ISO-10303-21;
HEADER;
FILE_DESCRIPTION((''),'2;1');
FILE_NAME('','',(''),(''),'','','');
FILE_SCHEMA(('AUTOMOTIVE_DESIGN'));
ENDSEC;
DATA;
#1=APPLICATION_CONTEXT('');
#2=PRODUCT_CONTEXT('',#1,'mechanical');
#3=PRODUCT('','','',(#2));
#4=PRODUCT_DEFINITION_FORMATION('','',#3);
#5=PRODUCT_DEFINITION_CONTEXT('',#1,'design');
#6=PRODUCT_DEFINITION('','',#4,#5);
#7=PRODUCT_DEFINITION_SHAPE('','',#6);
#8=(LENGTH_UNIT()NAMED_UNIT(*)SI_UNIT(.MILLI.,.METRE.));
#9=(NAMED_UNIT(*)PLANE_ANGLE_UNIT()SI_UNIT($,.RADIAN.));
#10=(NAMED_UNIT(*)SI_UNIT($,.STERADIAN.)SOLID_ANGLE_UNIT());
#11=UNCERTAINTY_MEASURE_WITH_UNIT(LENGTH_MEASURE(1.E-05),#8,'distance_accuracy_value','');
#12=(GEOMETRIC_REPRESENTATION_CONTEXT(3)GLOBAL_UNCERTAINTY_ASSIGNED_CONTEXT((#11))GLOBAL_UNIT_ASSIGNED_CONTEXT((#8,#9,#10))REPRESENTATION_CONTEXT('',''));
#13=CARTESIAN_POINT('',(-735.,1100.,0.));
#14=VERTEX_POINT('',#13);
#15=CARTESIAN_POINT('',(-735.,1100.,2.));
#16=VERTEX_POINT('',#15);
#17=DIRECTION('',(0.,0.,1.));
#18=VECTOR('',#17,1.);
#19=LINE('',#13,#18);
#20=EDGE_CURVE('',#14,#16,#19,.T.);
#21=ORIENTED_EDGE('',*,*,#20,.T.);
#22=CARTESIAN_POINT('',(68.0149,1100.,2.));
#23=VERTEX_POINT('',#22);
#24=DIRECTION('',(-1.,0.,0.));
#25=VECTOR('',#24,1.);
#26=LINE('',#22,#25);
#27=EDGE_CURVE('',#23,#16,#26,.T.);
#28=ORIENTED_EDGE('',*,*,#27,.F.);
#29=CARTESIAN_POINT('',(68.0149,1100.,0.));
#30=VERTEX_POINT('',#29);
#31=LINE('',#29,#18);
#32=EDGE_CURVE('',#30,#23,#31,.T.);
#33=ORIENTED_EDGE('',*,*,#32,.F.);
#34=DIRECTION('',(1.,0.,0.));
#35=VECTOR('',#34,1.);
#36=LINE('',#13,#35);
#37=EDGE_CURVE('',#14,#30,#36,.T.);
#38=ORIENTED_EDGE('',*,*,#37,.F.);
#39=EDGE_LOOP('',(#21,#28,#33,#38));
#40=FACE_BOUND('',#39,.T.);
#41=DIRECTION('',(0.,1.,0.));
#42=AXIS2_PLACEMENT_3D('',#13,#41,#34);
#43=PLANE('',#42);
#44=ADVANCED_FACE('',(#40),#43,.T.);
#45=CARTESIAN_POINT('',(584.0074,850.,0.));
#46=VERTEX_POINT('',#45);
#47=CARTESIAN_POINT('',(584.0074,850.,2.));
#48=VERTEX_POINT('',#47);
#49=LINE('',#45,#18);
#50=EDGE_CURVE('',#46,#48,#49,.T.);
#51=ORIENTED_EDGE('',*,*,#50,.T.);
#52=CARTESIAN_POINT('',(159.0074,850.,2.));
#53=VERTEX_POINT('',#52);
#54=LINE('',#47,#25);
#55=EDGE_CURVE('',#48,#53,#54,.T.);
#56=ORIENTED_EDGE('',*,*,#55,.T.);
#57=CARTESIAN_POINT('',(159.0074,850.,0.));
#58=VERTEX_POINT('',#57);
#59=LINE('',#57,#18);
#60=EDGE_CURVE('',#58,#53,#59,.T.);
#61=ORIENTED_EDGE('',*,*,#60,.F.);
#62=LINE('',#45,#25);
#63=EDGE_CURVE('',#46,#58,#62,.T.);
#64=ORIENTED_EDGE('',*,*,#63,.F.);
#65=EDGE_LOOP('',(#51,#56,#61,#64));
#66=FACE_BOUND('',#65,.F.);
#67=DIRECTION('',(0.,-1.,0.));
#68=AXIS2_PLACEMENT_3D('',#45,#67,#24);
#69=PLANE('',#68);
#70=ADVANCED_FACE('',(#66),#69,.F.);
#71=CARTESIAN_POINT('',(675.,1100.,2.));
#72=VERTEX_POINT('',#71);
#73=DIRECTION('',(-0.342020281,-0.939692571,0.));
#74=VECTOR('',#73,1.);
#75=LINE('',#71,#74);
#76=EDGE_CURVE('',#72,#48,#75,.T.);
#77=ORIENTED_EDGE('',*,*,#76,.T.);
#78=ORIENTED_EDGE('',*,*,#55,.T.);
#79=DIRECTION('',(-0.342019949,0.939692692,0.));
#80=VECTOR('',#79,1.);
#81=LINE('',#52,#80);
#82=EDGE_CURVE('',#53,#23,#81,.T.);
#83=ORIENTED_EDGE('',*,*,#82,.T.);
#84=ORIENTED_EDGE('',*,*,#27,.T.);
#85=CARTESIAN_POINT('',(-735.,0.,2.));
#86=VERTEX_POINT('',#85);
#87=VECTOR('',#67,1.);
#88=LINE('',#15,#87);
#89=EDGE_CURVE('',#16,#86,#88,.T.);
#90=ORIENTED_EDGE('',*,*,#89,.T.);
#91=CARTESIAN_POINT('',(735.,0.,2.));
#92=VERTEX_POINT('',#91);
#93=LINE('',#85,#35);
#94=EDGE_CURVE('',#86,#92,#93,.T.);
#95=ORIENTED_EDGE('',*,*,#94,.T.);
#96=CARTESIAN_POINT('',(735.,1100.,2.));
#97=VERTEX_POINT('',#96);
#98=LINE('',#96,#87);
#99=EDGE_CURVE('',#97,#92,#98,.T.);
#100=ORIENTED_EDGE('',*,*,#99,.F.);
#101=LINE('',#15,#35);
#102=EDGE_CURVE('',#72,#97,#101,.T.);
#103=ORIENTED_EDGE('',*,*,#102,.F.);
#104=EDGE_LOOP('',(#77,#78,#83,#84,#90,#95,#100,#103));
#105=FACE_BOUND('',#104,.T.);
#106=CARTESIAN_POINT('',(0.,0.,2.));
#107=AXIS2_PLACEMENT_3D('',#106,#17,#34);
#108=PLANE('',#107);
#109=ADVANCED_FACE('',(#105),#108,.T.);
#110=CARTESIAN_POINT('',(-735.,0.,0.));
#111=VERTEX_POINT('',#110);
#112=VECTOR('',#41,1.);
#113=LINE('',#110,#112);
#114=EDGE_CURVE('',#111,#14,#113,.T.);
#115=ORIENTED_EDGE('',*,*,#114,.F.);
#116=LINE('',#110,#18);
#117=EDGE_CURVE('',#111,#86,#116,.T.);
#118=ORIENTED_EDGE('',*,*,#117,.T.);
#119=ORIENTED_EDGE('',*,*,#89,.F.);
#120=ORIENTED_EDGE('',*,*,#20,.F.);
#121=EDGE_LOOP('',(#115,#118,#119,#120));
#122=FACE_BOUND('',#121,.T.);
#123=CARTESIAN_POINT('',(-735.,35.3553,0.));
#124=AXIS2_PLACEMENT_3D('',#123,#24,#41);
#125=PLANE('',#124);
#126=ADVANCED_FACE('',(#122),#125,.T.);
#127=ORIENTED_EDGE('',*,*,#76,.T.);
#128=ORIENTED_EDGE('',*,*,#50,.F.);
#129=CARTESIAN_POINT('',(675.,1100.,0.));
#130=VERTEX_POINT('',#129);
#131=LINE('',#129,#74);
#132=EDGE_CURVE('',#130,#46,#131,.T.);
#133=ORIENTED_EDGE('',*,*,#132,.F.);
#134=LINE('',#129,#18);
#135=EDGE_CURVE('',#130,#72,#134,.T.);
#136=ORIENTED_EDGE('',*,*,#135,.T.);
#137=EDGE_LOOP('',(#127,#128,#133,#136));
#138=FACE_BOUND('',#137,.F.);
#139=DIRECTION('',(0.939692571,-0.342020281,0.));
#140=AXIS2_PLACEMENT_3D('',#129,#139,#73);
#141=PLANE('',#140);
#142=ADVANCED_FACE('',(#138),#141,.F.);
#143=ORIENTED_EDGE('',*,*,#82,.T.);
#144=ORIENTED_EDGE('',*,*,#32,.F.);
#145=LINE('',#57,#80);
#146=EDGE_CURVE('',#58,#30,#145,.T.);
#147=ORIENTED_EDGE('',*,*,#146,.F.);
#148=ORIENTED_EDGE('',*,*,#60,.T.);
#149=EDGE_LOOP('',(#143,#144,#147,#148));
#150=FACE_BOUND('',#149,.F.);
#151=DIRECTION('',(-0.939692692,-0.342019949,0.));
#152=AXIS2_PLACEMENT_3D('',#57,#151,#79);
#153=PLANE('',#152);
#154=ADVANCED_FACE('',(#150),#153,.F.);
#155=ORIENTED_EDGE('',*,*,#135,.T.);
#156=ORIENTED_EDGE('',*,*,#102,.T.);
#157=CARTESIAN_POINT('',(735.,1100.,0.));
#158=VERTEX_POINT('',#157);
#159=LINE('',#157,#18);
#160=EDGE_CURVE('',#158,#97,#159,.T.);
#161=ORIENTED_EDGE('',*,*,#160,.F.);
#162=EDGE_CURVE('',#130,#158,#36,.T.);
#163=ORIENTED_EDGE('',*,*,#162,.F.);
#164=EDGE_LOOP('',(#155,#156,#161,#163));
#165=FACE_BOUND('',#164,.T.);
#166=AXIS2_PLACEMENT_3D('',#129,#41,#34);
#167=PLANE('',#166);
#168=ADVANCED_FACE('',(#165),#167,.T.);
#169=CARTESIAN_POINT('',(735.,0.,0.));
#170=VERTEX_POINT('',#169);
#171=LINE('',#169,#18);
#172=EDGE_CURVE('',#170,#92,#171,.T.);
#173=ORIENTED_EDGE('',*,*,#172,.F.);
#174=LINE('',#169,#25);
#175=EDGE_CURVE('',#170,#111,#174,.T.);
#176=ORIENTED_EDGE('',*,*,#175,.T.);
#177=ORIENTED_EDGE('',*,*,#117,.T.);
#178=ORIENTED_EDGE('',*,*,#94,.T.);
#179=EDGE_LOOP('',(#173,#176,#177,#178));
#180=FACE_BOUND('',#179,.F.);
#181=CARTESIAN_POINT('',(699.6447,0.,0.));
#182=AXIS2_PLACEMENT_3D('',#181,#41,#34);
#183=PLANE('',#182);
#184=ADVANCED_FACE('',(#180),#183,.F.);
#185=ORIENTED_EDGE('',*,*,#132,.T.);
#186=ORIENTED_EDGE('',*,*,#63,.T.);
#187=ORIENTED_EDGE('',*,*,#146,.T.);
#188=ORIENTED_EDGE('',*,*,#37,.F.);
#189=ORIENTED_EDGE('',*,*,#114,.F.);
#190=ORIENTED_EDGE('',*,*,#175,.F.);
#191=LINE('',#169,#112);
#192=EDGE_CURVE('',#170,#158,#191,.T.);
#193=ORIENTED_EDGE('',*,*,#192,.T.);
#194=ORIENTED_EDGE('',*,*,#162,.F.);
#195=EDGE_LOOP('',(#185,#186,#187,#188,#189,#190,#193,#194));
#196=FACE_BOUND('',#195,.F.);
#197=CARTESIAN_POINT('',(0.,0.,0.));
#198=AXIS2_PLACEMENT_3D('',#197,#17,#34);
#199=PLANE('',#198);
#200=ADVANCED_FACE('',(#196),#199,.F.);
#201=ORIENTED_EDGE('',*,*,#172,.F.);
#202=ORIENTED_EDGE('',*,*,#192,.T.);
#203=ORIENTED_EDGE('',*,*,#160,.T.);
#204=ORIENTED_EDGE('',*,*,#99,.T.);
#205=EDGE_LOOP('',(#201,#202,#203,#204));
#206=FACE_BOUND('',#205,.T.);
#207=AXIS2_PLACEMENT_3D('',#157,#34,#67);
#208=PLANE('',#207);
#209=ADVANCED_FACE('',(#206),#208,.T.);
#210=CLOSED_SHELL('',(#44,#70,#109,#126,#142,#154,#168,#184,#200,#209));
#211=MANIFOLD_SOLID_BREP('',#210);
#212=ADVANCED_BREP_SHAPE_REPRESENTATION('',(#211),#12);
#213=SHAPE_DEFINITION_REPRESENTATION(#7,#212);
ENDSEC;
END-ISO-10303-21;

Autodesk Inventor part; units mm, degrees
ref_plane "YZ Plane" through (0, 0, 0) normal (1, 0, 0) x (0, 1, 0)
ref_plane "XZ Plane" through (0, 0, 0) normal (0, 1, 0) x (-1, 0, 0)
ref_plane "XY Plane" through (0, 0, 0) normal (0, 0, 1) x (1, 0, 0)
sketch "Sketch3" plane through (0, 0, 0) normal (0, 0, 1) x (1, 0, 0)
  line L0 (735, 1100) -> (735, 35.3553)
  line L1 (735, 35.3553) -> (699.6447, 0)
  line L2 (699.6447, 0) -> (-699.6447, 0)
  line L3 (-699.6447, 0) -> (-735, 35.3553)
  line L4 (-735, 35.3553) -> (-735, 1100)
  line L5 (-735, 1100) -> (735, 1100)
  line L6 (0, 0) -> (0, 1100) construction
  line L7 (675, 1100) -> (584.0074, 850)
  line L8 (584.0074, 850) -> (159.0074, 850)
  line L9 (159.0074, 850) -> (68.0149, 1100)
  line L10 (-68.0149, 1100) -> (-159.0074, 850)
  line L11 (-159.0074, 850) -> (-584.0074, 850)
  line L12 (-584.0074, 850) -> (-675, 1100)
  line L13 (-699.6447, 0) -> (-735, 0)
  line L14 (-735, 0) -> (-735, 35.3553)
  line L15 (699.6447, 0) -> (735, 0)
  line L16 (735, 0) -> (735, 35.3553)
  dimension "d25" = 50
  dimension "d26" = 1100
  dimension "d27" = 1470
  dimension "d29" = 425
  dimension "d33" = 60
  dimension "d34" = 250
  dimension "d35" = 110
extrude "Plate3" add sketch "Sketch3" along normal blind 2 contours L0 L1 L2 L3 L4 L5 L12 L11 L10 L9 L8 L7 | L16 L15 L1 | L13 L14 L3 | L10 L11 L12 L5
equation "\"d28\" = Thickness"
equation "\"BendRadius\" = Thickness"
equation "\"BendReliefWidth\" = Thickness"
equation "\"BendReliefDepth\" = 0.5 * Thickness"
equation "\"CornerReliefSize\" = 4 * Thickness"
equation "\"MinimumRemnant\" = 2 * Thickness"
equation "\"TransitionRadius\" = BendRadius"
equation "\"JacobiRadiusSize\" = BendRadius"
equation "\"GapSize\" = Thickness"
equation "\"Thickness\" = 2"
properties part number "GBK-RK-0016 partition 6"
